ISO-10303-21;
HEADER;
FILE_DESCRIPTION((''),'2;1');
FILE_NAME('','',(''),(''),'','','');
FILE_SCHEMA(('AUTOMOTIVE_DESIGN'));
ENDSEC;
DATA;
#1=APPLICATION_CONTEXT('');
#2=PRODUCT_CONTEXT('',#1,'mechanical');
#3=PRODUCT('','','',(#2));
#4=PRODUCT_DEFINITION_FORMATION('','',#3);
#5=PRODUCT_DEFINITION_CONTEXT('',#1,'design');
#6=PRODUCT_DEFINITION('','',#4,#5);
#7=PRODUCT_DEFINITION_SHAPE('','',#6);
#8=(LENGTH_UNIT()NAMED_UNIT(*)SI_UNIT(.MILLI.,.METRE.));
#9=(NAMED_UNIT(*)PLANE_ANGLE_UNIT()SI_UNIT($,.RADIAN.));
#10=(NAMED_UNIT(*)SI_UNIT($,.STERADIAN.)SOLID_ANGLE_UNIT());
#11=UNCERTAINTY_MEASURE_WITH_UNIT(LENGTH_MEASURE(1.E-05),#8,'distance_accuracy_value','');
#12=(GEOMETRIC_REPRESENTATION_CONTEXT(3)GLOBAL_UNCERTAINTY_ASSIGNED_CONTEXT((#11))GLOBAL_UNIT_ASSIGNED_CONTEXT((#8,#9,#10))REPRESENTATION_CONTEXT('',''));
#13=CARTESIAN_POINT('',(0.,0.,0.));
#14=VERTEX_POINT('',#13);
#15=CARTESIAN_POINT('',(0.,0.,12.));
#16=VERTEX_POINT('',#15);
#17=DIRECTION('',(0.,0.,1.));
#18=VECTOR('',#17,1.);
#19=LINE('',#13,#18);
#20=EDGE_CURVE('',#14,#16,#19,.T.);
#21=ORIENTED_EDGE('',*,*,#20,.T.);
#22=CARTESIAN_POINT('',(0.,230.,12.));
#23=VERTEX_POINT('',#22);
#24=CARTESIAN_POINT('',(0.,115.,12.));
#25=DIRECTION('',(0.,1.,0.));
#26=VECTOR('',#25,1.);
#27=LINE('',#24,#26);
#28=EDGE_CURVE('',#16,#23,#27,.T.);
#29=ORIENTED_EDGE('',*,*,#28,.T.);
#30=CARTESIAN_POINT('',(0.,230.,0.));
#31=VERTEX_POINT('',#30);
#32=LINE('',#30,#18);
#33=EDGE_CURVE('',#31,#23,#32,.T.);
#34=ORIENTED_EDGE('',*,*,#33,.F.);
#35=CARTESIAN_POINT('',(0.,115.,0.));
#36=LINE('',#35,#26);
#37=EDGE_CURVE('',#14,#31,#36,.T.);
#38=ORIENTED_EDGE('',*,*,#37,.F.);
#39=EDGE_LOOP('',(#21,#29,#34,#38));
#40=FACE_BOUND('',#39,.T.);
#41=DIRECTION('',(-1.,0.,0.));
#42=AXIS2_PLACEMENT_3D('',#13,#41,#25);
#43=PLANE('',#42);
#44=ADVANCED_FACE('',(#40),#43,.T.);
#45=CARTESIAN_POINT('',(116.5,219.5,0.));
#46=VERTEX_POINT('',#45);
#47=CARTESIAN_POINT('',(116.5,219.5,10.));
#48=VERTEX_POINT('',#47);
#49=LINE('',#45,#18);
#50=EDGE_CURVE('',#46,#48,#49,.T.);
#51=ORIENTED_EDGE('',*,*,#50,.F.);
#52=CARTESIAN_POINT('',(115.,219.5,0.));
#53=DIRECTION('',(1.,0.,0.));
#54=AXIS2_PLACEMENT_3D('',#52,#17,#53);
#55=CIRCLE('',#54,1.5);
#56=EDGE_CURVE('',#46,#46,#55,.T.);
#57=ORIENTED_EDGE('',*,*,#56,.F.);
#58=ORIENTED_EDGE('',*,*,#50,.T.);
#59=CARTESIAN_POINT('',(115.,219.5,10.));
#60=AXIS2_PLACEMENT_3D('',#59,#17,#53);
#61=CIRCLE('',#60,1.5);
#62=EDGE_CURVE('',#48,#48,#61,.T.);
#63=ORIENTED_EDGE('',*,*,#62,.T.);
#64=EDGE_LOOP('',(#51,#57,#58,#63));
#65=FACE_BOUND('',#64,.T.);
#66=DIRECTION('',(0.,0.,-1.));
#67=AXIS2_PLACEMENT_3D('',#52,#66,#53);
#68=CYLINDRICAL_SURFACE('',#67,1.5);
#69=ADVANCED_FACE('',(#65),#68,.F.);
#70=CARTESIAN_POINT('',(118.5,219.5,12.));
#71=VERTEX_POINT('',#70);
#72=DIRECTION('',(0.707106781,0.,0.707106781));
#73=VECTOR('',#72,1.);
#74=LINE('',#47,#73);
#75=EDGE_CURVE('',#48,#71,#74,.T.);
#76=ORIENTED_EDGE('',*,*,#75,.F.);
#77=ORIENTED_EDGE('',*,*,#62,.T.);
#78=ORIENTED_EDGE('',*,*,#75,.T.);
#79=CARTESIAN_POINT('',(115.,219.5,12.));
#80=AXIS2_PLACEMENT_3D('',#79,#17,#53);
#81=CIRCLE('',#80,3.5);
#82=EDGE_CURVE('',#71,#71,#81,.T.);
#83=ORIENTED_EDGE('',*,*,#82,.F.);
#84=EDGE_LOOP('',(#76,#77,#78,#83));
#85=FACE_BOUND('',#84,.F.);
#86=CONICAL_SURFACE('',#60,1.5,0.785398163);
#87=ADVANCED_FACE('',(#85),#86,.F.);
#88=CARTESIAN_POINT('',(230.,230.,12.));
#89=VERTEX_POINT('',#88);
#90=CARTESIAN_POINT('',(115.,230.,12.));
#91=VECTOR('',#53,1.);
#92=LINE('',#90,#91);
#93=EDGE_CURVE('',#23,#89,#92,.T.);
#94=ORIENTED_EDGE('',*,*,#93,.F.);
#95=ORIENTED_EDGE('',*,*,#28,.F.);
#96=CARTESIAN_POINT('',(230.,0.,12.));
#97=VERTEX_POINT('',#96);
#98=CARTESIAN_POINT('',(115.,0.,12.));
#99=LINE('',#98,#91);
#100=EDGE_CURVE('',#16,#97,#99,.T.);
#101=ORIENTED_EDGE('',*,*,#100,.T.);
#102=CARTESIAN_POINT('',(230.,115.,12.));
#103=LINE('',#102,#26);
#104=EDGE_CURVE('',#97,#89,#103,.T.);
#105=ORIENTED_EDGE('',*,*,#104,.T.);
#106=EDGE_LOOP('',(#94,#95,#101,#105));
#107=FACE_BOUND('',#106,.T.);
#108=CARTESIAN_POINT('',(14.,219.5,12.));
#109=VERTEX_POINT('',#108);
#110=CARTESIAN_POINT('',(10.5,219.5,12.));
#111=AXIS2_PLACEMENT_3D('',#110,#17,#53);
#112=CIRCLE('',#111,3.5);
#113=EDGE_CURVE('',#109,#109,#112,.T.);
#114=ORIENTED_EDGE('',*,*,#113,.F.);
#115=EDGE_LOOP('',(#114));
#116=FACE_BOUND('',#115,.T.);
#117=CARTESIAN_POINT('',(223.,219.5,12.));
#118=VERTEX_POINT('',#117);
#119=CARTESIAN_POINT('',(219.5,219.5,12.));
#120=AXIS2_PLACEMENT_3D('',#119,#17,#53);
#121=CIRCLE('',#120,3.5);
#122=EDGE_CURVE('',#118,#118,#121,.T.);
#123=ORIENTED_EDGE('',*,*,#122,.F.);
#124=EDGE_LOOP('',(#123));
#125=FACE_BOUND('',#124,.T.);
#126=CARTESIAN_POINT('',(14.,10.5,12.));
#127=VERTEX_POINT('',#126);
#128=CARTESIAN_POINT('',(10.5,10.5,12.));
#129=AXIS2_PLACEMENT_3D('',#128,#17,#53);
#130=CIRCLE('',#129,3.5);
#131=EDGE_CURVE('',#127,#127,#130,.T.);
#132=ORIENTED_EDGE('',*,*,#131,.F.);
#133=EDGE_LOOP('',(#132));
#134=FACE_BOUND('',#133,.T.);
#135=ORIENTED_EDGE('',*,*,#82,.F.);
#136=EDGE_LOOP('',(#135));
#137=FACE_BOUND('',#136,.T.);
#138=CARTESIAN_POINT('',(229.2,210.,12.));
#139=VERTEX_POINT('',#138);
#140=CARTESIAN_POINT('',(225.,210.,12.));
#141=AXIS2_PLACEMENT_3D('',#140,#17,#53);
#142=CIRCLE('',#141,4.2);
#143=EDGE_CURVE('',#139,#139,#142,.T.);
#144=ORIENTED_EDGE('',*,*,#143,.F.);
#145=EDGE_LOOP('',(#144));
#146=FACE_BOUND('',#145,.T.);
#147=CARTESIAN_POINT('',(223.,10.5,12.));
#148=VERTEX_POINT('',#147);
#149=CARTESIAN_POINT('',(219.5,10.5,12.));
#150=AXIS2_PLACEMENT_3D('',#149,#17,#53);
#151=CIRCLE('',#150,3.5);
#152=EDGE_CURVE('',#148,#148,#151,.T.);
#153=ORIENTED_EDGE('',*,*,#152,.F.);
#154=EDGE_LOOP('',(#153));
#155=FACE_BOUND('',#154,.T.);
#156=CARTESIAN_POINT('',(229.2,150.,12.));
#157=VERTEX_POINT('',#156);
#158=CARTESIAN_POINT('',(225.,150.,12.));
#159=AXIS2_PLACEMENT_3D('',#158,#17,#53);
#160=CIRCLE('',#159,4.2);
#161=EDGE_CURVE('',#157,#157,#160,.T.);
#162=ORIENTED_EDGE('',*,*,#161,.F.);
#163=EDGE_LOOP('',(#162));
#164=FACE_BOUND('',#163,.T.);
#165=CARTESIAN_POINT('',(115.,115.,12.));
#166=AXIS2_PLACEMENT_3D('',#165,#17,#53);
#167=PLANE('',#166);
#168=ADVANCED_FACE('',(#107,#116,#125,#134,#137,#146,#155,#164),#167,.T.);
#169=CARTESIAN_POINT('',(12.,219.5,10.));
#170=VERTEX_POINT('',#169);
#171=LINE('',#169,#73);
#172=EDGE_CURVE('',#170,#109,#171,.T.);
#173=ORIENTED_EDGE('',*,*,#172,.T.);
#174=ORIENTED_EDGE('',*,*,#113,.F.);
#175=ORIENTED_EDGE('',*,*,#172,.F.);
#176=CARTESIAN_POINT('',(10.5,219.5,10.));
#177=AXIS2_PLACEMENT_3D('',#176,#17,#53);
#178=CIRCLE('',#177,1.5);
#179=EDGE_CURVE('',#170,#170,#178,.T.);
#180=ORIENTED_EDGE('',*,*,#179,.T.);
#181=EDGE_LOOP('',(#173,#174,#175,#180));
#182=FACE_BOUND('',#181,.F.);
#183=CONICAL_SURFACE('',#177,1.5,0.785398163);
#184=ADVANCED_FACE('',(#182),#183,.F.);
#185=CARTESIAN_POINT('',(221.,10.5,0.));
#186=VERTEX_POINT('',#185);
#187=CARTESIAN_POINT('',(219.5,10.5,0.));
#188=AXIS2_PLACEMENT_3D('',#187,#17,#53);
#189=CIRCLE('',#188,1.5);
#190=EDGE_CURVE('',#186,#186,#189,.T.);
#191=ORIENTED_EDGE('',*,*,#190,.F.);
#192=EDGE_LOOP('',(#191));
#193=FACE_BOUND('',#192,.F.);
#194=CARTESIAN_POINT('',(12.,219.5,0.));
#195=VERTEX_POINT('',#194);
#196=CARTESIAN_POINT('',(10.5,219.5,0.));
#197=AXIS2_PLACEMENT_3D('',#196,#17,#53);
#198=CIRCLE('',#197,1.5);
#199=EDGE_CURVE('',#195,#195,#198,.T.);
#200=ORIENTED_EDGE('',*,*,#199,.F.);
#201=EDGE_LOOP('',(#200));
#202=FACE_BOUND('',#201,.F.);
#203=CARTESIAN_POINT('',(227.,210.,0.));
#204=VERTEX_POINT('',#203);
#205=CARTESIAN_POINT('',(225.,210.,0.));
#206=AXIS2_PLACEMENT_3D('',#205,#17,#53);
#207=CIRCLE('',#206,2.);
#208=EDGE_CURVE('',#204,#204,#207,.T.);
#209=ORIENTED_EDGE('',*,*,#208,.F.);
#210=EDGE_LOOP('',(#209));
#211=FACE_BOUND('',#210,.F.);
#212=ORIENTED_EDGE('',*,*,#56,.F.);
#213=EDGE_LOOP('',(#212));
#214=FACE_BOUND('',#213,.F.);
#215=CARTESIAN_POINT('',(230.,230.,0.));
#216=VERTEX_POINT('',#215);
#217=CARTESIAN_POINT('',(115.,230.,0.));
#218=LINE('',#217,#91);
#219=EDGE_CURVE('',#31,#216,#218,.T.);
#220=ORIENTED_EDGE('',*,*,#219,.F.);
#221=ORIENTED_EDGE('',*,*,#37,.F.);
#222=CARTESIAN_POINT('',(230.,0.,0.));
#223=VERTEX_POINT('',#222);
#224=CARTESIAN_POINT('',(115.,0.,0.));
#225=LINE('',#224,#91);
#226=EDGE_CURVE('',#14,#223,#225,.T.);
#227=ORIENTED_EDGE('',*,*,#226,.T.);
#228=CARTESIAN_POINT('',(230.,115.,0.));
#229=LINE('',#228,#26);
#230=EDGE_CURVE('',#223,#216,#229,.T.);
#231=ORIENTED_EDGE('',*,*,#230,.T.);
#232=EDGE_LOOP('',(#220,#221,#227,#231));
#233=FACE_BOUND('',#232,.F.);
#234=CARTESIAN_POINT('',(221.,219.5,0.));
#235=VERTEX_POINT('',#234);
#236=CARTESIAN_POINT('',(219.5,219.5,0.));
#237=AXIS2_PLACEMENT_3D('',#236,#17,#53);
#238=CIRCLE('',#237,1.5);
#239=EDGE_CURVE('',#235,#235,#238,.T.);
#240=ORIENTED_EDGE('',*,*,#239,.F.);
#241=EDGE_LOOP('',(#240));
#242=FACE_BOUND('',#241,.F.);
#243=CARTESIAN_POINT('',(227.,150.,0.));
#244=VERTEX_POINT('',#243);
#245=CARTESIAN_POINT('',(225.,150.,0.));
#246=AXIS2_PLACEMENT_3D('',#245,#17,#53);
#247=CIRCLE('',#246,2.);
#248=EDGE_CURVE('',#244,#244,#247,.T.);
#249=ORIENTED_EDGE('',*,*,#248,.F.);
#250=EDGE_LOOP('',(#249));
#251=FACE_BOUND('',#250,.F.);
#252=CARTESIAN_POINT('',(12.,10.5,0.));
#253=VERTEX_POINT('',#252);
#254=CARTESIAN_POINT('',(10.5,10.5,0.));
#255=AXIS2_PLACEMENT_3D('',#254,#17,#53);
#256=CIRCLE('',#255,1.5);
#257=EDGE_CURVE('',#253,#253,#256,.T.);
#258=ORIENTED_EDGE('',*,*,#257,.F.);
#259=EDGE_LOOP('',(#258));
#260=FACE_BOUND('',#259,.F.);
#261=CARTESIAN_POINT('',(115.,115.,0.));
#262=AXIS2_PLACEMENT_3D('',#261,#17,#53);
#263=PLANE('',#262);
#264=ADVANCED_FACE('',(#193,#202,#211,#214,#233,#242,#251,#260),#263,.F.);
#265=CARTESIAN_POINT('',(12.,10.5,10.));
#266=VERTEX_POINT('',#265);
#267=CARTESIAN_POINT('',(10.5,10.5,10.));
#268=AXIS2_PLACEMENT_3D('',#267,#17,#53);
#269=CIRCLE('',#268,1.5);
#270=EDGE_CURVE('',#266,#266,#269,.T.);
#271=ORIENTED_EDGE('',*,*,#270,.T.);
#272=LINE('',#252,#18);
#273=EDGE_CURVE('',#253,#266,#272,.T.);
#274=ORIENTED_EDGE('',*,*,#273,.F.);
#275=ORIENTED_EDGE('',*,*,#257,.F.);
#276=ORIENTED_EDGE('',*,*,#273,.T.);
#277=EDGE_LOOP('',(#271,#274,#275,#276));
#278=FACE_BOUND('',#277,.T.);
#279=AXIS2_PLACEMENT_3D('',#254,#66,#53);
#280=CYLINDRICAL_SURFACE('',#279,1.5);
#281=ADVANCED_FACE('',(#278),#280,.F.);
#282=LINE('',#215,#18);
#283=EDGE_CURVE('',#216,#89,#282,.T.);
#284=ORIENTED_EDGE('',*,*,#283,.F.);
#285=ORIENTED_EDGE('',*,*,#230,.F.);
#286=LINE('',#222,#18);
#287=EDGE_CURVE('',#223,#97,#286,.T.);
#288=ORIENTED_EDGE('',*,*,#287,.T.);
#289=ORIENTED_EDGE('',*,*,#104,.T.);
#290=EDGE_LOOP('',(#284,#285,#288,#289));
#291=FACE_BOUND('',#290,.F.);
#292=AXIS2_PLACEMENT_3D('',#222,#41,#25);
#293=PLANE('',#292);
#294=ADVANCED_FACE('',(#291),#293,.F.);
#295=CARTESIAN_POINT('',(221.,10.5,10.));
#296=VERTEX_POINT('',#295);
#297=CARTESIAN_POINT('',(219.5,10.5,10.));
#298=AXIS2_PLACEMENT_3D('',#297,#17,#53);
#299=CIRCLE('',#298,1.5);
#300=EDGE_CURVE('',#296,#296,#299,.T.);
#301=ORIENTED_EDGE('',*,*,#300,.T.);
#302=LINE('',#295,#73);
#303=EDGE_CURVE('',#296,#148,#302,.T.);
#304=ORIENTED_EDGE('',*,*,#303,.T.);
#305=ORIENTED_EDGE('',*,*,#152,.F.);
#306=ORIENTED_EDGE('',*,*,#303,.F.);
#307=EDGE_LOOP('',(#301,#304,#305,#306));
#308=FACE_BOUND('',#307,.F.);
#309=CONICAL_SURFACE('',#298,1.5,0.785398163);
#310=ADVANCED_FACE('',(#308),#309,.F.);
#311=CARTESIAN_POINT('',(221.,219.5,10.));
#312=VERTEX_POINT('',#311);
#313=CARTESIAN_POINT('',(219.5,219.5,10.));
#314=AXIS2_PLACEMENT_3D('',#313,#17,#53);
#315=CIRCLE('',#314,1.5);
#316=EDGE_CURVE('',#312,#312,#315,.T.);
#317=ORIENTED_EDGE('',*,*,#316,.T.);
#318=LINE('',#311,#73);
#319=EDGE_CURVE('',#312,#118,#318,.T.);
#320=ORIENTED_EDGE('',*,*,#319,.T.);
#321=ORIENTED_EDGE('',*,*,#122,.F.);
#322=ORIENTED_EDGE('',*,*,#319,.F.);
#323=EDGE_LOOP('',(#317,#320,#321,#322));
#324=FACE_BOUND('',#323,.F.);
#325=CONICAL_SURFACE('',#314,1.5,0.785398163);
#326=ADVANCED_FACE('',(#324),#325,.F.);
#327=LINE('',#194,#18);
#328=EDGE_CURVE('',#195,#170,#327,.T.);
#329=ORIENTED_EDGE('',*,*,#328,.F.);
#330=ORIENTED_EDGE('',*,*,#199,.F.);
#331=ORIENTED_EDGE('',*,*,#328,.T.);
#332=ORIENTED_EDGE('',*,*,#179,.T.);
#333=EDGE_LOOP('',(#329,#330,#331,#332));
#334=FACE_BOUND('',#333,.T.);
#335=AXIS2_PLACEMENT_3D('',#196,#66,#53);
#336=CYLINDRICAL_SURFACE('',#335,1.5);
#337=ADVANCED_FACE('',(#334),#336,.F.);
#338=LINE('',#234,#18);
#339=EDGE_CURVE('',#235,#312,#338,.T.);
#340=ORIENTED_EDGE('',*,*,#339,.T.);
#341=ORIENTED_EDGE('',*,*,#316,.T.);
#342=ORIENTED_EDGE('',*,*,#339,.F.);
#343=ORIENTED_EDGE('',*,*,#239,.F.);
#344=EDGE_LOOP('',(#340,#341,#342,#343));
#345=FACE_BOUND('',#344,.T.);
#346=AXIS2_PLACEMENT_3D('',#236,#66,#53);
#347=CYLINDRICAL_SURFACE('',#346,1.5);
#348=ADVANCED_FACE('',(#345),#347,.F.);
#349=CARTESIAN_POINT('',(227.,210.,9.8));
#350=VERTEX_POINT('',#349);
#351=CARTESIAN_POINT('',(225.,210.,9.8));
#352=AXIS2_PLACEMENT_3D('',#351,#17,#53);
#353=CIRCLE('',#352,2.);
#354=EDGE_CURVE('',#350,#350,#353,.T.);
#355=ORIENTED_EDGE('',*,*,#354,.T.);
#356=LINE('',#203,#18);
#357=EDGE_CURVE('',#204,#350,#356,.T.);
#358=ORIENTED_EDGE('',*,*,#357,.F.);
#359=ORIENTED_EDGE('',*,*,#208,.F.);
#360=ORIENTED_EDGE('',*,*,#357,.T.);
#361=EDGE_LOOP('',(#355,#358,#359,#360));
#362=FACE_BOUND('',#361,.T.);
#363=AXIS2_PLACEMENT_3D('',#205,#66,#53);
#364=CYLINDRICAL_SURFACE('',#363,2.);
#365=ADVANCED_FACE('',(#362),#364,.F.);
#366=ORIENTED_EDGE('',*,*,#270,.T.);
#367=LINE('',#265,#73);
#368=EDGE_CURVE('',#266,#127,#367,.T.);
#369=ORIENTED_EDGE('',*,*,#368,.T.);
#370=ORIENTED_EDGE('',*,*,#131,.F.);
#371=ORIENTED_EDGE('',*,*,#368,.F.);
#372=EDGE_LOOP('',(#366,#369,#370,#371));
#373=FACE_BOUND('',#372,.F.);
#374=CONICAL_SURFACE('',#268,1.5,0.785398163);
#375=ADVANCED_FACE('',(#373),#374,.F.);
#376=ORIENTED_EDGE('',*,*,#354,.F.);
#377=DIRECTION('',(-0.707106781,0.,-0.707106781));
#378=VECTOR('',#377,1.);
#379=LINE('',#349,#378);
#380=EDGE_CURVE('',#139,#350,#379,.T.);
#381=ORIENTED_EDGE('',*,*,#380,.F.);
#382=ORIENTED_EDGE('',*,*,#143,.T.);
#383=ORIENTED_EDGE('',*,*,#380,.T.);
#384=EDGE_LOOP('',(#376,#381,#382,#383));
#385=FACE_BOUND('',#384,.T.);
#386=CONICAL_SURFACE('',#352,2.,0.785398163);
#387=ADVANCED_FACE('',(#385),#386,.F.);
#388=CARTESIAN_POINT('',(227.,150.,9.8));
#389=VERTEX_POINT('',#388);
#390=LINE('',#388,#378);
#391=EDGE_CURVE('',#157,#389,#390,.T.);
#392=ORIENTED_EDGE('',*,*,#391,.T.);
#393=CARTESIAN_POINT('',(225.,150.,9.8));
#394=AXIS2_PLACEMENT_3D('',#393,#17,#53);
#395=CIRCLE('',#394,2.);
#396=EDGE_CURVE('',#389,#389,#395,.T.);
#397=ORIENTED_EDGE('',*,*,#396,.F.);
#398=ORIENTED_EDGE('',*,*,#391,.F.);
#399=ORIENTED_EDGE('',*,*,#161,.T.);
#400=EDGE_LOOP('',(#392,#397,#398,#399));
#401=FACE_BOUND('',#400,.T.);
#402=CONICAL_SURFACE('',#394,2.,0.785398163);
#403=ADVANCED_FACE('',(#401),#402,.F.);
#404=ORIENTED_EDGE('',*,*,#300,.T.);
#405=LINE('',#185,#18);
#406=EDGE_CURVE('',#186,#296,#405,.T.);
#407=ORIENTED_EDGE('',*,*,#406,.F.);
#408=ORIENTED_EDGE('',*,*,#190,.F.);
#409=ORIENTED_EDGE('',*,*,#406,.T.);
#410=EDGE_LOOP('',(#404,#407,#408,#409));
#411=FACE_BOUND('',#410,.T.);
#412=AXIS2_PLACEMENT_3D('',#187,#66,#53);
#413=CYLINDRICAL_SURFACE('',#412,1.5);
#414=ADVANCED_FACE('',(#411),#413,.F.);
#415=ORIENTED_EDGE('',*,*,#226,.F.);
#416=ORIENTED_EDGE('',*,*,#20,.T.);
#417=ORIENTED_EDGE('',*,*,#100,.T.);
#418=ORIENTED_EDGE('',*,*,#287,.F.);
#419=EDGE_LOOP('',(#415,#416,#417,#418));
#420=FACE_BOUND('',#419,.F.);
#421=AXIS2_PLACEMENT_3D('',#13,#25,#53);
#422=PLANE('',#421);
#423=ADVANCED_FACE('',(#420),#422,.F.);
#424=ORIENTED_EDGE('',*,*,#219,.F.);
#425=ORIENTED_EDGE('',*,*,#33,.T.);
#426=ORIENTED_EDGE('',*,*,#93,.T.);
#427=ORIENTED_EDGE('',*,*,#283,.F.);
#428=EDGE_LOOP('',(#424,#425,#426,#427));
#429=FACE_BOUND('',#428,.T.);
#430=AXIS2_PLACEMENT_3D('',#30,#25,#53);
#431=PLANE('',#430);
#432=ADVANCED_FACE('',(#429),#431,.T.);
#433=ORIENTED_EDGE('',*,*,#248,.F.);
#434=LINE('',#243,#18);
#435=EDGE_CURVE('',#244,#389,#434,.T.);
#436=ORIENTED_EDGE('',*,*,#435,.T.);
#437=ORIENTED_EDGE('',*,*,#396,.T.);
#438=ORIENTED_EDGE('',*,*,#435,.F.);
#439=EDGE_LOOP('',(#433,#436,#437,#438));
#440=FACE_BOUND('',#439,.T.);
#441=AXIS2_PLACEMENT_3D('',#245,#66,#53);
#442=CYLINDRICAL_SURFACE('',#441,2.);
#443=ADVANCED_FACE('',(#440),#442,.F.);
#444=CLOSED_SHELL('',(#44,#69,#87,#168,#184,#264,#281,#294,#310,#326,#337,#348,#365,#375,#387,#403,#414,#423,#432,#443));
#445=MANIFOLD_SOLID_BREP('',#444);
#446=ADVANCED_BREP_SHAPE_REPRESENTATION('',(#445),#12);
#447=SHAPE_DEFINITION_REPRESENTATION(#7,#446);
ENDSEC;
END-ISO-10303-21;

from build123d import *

# Parameters (mm, degrees)
SKETCH_1_W      = 230
SKETCH_1_H      = 230
SKETCH_1_R      = 1.5
SKETCH_1_R_2    = 2
EXTRUDE_1_DEPTH = 12
CHAMFER_1_SIZE  = 2
CHAMFER_2_SIZE  = 2.2


with BuildPart() as part:
    # Эскиз1 → Бобышка-Вытянуть1 (new body)
    with BuildSketch(Plane.XY):
        with Locations((115, 115)):
            Rectangle(SKETCH_1_W, SKETCH_1_H)
        with Locations((219.5, 10.5)):
            Circle(SKETCH_1_R, mode=Mode.SUBTRACT)
        with Locations((219.5, 219.5)):
            Circle(SKETCH_1_R, mode=Mode.SUBTRACT)
        with Locations((10.5, 219.5)):
            Circle(SKETCH_1_R, mode=Mode.SUBTRACT)
        with Locations((10.5, 10.5)):
            Circle(SKETCH_1_R, mode=Mode.SUBTRACT)
        with Locations((115, 219.5)):
            Circle(SKETCH_1_R, mode=Mode.SUBTRACT)
        with Locations((225, 150)):
            Circle(SKETCH_1_R_2, mode=Mode.SUBTRACT)
        with Locations((225, 210)):
            Circle(SKETCH_1_R_2, mode=Mode.SUBTRACT)
    extrude(amount=EXTRUDE_1_DEPTH)

    # Фаска1
    chamfer_1_edges = [part.edges().sort_by_distance(p)[0] for p in [
        (218, 10.5, 12),
        (218, 219.5, 12),
        (9, 219.5, 12),
        (9, 10.5, 12),
        (113.5, 219.5, 12),
    ]]
    chamfer(chamfer_1_edges, length=CHAMFER_1_SIZE)

    # Фаска2
    chamfer_2_edges = [part.edges().sort_by_distance(p)[0] for p in [
        (223, 150, 12),
        (223, 210, 12),
    ]]
    chamfer(chamfer_2_edges, length=CHAMFER_2_SIZE)


solid = part.part
